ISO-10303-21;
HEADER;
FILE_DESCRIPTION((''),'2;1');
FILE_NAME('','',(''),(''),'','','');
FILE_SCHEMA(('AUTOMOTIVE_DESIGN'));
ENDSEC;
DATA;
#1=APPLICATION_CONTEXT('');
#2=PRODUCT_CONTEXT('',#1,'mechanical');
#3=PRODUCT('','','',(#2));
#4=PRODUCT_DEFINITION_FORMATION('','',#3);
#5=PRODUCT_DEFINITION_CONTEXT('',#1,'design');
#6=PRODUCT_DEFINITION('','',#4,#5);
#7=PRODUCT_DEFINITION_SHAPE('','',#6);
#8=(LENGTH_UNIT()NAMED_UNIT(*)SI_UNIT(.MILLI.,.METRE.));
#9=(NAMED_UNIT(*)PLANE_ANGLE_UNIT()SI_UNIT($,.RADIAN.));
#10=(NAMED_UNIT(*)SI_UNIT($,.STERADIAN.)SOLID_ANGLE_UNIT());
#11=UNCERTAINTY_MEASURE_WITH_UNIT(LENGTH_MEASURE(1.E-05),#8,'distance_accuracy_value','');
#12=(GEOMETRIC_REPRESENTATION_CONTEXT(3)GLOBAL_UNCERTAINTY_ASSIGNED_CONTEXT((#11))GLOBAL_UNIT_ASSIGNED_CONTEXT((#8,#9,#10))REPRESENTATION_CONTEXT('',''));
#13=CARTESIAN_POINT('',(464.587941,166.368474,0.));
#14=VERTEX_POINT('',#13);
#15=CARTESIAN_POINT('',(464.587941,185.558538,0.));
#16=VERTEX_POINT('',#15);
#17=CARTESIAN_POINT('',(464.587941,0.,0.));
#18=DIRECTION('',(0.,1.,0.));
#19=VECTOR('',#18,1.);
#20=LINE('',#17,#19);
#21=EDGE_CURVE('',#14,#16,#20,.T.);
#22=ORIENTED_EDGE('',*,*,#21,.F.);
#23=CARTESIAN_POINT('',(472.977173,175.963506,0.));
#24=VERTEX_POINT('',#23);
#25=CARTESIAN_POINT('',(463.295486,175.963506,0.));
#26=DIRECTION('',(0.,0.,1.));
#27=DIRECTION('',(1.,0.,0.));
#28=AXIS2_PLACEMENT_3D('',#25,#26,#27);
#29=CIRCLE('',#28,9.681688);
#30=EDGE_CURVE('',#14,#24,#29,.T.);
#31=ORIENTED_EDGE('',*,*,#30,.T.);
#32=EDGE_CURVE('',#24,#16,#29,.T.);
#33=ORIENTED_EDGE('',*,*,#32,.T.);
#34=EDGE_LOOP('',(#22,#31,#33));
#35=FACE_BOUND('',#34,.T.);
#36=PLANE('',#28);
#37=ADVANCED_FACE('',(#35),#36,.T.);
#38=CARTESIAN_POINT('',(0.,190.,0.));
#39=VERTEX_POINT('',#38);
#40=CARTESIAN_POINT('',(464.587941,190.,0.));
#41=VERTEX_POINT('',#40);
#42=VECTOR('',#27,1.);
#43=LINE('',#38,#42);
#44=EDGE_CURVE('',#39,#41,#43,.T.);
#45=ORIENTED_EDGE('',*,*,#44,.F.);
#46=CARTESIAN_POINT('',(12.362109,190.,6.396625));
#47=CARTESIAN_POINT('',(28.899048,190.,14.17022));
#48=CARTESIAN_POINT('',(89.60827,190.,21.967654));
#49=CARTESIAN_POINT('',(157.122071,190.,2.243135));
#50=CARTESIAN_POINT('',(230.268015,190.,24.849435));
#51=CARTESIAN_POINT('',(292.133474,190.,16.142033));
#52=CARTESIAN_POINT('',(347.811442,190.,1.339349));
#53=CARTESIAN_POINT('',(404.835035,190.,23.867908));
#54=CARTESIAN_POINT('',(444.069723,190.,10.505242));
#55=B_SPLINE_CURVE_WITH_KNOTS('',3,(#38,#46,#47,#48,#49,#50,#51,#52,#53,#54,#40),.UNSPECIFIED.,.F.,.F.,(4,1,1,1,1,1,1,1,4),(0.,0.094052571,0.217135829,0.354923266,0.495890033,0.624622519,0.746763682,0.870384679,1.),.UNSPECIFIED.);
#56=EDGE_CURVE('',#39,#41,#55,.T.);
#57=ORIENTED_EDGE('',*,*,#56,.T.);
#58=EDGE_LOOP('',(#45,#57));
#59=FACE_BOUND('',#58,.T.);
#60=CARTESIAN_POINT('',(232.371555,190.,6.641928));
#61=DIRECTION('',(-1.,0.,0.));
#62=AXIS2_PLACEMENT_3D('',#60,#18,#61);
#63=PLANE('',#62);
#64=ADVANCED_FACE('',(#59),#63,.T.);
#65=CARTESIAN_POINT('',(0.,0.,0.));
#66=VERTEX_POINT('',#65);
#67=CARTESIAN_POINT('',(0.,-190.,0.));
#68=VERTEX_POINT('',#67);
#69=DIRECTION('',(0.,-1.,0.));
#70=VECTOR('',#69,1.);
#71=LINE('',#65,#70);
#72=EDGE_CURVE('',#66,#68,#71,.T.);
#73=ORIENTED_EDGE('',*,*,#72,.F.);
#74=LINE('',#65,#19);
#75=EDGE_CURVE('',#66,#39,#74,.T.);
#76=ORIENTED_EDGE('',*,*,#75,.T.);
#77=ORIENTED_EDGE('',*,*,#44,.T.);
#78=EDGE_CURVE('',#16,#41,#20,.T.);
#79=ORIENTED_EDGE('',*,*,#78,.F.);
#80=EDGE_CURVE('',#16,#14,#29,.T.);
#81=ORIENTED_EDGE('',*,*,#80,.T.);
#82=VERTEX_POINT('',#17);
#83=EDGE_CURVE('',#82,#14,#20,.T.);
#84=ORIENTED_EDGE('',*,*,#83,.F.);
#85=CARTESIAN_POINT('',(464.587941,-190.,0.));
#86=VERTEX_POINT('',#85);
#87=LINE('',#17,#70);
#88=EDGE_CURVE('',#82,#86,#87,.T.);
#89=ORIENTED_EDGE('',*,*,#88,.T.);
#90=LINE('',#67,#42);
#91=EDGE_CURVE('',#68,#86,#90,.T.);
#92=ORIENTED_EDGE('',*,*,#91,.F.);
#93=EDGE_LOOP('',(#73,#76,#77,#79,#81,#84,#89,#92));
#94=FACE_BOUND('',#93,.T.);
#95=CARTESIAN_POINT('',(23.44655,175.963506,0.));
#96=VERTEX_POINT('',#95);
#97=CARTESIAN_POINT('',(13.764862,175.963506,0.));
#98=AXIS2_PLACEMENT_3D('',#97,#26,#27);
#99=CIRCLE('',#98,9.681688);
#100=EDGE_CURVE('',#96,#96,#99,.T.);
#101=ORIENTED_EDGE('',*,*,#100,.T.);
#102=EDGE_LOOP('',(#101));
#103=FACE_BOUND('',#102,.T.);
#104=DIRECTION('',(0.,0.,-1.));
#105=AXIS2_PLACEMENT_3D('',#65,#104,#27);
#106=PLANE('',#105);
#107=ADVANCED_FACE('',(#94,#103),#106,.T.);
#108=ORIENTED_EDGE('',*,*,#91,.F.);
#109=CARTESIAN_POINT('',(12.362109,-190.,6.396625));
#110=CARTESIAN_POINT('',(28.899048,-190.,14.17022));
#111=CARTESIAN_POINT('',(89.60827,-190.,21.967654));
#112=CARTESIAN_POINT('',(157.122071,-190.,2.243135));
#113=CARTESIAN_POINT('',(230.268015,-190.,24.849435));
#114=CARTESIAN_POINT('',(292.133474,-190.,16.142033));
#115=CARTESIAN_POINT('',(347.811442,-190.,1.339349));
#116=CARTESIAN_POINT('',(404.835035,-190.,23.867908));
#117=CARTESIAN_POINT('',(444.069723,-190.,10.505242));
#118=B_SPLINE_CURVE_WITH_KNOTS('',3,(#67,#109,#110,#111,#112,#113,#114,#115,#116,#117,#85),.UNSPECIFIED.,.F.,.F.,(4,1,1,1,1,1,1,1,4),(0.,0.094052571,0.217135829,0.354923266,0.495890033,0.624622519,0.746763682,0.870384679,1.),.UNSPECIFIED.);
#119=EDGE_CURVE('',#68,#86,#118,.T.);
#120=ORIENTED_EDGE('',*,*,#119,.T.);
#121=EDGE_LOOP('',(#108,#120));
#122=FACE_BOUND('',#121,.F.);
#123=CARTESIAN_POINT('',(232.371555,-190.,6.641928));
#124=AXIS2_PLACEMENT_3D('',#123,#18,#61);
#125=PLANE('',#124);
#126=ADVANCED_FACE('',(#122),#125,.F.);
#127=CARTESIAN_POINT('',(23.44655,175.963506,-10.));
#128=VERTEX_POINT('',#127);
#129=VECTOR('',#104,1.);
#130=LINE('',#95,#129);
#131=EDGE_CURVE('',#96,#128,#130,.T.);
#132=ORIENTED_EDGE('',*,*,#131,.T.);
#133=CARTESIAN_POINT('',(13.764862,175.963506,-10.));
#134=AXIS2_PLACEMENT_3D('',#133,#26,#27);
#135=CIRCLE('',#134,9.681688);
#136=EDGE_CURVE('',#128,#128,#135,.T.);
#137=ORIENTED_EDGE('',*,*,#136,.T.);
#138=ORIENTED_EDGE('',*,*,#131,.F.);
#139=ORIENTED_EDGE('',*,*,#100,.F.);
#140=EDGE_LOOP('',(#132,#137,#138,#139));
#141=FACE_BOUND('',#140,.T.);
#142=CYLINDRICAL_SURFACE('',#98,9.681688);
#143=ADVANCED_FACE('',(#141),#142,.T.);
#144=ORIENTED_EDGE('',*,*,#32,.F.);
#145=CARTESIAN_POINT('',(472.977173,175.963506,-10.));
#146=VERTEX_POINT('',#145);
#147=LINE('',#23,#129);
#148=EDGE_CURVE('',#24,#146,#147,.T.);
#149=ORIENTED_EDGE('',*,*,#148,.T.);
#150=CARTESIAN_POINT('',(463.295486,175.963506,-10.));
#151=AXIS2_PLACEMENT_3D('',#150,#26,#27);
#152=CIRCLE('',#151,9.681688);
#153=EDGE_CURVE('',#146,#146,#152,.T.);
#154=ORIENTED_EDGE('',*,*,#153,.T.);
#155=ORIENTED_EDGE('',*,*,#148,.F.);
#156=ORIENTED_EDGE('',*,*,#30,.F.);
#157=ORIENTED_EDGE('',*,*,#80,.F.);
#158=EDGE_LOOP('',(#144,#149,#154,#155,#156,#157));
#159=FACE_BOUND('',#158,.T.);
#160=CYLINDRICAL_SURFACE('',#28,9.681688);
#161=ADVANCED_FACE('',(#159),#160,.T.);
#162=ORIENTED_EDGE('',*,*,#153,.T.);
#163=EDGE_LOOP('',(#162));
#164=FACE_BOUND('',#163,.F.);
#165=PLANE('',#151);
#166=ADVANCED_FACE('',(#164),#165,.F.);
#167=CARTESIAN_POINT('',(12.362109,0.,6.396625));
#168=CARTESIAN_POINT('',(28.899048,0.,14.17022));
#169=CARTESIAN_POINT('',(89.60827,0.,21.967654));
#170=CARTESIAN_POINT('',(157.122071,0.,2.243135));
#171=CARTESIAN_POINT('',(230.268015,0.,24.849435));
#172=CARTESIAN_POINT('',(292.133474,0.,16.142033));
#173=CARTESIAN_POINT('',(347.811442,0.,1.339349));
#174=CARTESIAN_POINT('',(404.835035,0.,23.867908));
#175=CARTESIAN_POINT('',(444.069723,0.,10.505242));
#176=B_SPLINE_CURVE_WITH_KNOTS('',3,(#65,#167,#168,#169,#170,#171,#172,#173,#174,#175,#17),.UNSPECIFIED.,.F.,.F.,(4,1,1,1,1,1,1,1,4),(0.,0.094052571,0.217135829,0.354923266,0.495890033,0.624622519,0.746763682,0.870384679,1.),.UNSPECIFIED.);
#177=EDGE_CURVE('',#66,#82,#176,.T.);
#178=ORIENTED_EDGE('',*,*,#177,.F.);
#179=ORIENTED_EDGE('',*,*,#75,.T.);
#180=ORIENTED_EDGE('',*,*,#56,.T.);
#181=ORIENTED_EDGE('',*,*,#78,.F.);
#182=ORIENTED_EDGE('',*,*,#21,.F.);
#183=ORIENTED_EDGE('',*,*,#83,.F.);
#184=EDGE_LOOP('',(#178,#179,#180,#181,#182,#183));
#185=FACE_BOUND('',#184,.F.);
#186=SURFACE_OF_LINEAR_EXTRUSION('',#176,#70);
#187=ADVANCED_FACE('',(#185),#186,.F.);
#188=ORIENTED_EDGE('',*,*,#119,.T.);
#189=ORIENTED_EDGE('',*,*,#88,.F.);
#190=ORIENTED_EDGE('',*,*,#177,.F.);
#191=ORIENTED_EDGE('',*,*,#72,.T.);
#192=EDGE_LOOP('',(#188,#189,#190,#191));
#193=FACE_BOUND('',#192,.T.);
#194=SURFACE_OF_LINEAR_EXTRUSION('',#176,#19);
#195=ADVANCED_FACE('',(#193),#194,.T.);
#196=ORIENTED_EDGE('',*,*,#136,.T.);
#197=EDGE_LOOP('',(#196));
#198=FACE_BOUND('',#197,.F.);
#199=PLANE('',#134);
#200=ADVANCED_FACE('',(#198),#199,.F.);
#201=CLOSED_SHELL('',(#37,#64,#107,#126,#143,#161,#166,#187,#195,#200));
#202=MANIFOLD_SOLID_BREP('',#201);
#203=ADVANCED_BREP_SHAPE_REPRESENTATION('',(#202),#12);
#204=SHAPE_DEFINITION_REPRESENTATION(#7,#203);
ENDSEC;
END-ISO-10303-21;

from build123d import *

# Parameters (mm, degrees)
F1_DEPTH = 190
F2_R     = 9.6816875959
F3_DEPTH = 10


with BuildPart() as f1:
    # F0 (on Front) → F1 (new body, symmetric)
    with BuildSketch(Plane.XZ):
        with BuildLine():
            add(Edge.make_bspline(
                [(0, 0), (12.362108633, 6.396624888), (28.8990480801, 14.1702198357), (89.6082703182, 21.9676535964), (157.1220707295, 2.2431354891), (230.2680153555, 24.8494351345), (292.1334738917, 16.1420329779), (347.811442061, 1.3393494272), (404.835035004, 23.867907853), (444.0697233586, 10.5052420607), (464.5879411074, 0)],
                knots=[0, 0, 0, 0, 0.0940525713, 0.2171358295, 0.3549232657, 0.4958900326, 0.6246225189, 0.7467636818, 0.8703846794, 1, 1, 1, 1], degree=3))
            Line((0, 0), (232.2939705537, 0))
            Line((232.2939705537, 0), (464.5879411074, 0))
        make_face()
    extrude(amount=F1_DEPTH, both=True)

    # F2 (on Top) → F3 (join)
    with BuildSketch(Plane.XY):
        with Locations((13.7648619711, 175.9635061026)):
            Circle(F2_R)
        with Locations((463.2954858243, 175.9635061026)):
            Circle(F2_R)
    extrude(amount=-F3_DEPTH)


solid = f1.part
